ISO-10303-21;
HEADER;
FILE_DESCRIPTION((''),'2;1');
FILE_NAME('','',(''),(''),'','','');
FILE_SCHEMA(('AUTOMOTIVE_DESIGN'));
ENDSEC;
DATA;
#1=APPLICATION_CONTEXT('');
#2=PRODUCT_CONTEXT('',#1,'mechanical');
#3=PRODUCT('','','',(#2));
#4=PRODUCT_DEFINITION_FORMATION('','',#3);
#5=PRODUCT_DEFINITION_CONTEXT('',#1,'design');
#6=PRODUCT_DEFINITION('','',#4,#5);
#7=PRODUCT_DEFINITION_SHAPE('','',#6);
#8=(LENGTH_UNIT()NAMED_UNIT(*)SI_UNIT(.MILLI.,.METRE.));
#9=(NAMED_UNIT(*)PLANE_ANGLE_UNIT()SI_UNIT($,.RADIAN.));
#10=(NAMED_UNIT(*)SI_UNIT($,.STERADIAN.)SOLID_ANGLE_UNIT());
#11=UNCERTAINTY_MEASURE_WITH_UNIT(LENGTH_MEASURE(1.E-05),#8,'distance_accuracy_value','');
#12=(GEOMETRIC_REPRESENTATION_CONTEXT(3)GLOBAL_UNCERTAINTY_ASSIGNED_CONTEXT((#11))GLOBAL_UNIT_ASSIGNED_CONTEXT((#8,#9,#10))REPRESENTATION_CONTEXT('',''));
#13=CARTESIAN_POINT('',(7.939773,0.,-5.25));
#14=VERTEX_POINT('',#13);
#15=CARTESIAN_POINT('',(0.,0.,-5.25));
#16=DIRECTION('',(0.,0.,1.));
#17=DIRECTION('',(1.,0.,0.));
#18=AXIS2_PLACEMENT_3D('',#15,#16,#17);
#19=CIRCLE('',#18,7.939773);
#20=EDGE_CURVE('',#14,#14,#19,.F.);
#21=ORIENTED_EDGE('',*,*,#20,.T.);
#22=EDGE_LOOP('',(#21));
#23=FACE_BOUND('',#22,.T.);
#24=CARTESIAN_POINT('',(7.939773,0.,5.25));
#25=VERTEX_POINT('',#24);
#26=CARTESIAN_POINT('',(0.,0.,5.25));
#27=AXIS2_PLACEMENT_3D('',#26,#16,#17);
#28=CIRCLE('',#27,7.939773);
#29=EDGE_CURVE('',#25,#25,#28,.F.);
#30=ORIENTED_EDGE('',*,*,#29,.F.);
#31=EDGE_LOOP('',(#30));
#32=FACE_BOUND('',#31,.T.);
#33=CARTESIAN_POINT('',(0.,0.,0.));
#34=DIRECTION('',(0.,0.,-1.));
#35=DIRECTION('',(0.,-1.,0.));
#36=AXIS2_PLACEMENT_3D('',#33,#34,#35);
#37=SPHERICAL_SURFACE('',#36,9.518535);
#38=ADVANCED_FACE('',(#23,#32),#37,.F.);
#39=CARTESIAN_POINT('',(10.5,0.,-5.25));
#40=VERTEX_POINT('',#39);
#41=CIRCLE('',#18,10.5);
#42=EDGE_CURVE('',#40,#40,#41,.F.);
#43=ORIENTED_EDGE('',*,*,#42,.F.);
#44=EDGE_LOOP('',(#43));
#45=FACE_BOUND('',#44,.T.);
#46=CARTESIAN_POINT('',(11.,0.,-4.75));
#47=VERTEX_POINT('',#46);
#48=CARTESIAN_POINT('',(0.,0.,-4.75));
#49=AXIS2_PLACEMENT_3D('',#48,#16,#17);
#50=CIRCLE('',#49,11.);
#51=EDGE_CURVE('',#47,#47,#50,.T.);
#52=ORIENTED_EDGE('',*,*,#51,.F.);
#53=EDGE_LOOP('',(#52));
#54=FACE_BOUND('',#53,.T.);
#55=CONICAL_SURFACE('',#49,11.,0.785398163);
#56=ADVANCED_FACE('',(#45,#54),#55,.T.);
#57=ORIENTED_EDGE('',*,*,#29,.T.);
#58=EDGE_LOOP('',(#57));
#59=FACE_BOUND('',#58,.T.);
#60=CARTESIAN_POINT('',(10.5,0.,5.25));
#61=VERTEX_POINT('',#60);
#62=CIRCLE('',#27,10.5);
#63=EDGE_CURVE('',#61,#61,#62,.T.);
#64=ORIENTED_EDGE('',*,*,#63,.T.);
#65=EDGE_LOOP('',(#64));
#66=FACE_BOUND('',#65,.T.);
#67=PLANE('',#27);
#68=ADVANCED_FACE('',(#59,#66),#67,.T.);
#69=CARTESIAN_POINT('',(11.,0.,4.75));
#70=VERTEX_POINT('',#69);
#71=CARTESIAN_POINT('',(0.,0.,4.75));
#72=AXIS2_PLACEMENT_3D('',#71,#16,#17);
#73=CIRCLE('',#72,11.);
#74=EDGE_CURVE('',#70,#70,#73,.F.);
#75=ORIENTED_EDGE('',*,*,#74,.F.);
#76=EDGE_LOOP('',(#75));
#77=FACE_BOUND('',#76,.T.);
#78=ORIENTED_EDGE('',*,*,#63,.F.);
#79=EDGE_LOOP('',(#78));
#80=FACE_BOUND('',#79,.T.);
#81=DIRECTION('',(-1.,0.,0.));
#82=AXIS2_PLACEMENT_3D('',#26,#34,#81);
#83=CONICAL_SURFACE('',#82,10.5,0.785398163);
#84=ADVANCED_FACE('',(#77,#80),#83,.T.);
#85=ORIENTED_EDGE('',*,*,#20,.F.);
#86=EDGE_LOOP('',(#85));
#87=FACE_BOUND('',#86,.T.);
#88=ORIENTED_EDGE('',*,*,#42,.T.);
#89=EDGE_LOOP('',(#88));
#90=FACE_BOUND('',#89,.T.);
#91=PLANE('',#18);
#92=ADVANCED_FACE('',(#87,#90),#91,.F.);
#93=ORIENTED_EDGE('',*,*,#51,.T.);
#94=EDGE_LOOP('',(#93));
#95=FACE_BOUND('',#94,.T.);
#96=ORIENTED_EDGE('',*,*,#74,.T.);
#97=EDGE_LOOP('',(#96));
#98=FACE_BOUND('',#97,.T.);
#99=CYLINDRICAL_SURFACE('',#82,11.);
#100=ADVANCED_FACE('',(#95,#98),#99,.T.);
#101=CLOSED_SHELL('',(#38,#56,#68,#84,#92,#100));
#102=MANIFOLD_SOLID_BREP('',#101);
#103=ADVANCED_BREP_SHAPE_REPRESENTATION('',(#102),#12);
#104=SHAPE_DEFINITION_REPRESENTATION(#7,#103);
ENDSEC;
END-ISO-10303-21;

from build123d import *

# Parameters (mm, degrees)
SKETCH2_R           = 11
BOSS_EXTRUDE1_DEPTH = 5.25
CHAMFER1_SIZE       = 0.5


with BuildPart() as part:
    # Sketch2 → Boss-Extrude1 (new body, symmetric)
    with BuildSketch(Plane.XY):
        Circle(SKETCH2_R)
    extrude(amount=BOSS_EXTRUDE1_DEPTH, both=True)

    # Sketch4 → Cut-Revolve1 (revolve, cut)
    with BuildSketch(Plane(origin=(0, 0, 0), x_dir=(0, 0, -1), z_dir=(1, 0, 0))):
        with BuildLine():
            Line((7, -6.45), (7, 0))
            Line((7, 0), (-7, 0))
            Line((-7, 0), (-7, -6.45))
            ThreePointArc((-7, -6.45), (0, -9.518534551), (7, -6.45))
        make_face()
    revolve(axis=Axis((0, 0, -7), (0, 0, 1)), mode=Mode.SUBTRACT)

    # Chamfer1
    chamfer1_edges = [part.edges().sort_by_distance(p)[0] for p in [
        (-11, 0, -5.25),
        (-11, 0, 5.25),
    ]]
    chamfer(chamfer1_edges, length=CHAMFER1_SIZE)


solid = part.part
